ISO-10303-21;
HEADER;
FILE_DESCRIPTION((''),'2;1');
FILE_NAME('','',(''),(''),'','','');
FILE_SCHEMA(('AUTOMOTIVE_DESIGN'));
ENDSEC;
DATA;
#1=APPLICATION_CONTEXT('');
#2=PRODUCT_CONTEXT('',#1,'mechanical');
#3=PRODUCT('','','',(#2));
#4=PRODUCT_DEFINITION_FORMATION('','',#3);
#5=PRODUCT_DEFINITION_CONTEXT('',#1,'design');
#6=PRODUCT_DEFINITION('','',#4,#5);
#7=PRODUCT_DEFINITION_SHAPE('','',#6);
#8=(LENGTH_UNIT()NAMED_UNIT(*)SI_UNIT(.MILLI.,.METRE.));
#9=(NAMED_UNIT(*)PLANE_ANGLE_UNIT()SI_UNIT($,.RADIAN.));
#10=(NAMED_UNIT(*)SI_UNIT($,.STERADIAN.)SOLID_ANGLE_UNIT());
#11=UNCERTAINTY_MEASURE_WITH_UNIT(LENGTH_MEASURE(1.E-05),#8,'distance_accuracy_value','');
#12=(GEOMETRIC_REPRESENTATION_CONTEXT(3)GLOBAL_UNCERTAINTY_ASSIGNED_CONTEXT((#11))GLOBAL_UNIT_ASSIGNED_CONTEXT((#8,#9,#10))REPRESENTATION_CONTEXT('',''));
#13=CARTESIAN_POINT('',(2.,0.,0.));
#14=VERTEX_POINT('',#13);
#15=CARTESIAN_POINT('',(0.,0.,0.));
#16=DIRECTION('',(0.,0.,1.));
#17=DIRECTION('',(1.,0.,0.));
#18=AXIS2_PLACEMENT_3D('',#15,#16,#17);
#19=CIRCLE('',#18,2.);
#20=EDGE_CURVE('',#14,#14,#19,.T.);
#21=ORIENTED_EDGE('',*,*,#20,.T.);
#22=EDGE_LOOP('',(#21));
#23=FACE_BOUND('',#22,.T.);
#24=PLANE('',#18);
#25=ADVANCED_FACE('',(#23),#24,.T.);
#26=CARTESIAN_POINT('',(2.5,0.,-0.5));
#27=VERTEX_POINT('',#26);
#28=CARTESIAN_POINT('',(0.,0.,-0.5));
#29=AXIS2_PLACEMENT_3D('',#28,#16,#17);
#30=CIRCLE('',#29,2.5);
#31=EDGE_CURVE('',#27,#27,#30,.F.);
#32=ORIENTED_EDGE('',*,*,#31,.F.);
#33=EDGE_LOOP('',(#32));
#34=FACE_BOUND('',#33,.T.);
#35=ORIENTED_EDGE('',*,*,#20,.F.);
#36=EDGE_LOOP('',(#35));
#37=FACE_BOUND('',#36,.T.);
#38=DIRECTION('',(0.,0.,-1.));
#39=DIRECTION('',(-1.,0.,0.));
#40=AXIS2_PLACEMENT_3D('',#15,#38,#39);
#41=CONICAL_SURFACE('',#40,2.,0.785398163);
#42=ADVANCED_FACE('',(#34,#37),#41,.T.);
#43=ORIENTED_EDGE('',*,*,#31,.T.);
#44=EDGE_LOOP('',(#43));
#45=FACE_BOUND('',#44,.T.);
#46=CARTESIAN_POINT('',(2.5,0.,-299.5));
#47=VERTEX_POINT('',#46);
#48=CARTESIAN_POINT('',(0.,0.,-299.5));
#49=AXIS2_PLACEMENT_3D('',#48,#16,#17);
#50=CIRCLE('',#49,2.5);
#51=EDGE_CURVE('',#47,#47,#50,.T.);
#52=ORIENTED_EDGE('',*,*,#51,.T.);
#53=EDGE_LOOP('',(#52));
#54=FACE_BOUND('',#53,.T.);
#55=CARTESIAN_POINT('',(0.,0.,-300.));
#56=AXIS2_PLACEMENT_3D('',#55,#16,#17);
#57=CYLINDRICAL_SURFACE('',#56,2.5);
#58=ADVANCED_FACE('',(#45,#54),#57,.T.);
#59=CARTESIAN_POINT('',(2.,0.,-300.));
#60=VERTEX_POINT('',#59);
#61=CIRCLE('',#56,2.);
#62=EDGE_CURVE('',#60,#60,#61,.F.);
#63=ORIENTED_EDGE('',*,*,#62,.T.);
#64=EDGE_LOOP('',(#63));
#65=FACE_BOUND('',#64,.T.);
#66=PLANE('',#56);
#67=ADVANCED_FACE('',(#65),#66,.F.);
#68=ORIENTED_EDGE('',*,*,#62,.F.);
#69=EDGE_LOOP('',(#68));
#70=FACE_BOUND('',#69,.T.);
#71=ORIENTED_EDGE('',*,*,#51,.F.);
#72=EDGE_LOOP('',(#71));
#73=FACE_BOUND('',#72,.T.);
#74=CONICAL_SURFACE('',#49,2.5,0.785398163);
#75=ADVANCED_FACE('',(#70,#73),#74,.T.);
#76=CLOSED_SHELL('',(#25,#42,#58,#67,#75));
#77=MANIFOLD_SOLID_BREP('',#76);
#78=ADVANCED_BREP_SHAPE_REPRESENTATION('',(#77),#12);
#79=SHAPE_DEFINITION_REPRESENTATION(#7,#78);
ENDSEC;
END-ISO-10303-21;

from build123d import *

# Parameters (mm, degrees)
SKETCH1_R           = 2.5
BOSS_EXTRUDE1_DEPTH = 300
CHAMFER1_SIZE       = 0.5


with BuildPart() as part:
    # Sketch1 → Boss-Extrude1 (new body)
    with BuildSketch(Plane.XY):
        Circle(SKETCH1_R)
    extrude(amount=-BOSS_EXTRUDE1_DEPTH)

    # Chamfer1
    chamfer1_edges = [part.edges().sort_by_distance(p)[0] for p in [
        (-2.5, 0, 0),
        (-2.5, 0, -300),
    ]]
    chamfer(chamfer1_edges, length=CHAMFER1_SIZE)


solid = part.part
